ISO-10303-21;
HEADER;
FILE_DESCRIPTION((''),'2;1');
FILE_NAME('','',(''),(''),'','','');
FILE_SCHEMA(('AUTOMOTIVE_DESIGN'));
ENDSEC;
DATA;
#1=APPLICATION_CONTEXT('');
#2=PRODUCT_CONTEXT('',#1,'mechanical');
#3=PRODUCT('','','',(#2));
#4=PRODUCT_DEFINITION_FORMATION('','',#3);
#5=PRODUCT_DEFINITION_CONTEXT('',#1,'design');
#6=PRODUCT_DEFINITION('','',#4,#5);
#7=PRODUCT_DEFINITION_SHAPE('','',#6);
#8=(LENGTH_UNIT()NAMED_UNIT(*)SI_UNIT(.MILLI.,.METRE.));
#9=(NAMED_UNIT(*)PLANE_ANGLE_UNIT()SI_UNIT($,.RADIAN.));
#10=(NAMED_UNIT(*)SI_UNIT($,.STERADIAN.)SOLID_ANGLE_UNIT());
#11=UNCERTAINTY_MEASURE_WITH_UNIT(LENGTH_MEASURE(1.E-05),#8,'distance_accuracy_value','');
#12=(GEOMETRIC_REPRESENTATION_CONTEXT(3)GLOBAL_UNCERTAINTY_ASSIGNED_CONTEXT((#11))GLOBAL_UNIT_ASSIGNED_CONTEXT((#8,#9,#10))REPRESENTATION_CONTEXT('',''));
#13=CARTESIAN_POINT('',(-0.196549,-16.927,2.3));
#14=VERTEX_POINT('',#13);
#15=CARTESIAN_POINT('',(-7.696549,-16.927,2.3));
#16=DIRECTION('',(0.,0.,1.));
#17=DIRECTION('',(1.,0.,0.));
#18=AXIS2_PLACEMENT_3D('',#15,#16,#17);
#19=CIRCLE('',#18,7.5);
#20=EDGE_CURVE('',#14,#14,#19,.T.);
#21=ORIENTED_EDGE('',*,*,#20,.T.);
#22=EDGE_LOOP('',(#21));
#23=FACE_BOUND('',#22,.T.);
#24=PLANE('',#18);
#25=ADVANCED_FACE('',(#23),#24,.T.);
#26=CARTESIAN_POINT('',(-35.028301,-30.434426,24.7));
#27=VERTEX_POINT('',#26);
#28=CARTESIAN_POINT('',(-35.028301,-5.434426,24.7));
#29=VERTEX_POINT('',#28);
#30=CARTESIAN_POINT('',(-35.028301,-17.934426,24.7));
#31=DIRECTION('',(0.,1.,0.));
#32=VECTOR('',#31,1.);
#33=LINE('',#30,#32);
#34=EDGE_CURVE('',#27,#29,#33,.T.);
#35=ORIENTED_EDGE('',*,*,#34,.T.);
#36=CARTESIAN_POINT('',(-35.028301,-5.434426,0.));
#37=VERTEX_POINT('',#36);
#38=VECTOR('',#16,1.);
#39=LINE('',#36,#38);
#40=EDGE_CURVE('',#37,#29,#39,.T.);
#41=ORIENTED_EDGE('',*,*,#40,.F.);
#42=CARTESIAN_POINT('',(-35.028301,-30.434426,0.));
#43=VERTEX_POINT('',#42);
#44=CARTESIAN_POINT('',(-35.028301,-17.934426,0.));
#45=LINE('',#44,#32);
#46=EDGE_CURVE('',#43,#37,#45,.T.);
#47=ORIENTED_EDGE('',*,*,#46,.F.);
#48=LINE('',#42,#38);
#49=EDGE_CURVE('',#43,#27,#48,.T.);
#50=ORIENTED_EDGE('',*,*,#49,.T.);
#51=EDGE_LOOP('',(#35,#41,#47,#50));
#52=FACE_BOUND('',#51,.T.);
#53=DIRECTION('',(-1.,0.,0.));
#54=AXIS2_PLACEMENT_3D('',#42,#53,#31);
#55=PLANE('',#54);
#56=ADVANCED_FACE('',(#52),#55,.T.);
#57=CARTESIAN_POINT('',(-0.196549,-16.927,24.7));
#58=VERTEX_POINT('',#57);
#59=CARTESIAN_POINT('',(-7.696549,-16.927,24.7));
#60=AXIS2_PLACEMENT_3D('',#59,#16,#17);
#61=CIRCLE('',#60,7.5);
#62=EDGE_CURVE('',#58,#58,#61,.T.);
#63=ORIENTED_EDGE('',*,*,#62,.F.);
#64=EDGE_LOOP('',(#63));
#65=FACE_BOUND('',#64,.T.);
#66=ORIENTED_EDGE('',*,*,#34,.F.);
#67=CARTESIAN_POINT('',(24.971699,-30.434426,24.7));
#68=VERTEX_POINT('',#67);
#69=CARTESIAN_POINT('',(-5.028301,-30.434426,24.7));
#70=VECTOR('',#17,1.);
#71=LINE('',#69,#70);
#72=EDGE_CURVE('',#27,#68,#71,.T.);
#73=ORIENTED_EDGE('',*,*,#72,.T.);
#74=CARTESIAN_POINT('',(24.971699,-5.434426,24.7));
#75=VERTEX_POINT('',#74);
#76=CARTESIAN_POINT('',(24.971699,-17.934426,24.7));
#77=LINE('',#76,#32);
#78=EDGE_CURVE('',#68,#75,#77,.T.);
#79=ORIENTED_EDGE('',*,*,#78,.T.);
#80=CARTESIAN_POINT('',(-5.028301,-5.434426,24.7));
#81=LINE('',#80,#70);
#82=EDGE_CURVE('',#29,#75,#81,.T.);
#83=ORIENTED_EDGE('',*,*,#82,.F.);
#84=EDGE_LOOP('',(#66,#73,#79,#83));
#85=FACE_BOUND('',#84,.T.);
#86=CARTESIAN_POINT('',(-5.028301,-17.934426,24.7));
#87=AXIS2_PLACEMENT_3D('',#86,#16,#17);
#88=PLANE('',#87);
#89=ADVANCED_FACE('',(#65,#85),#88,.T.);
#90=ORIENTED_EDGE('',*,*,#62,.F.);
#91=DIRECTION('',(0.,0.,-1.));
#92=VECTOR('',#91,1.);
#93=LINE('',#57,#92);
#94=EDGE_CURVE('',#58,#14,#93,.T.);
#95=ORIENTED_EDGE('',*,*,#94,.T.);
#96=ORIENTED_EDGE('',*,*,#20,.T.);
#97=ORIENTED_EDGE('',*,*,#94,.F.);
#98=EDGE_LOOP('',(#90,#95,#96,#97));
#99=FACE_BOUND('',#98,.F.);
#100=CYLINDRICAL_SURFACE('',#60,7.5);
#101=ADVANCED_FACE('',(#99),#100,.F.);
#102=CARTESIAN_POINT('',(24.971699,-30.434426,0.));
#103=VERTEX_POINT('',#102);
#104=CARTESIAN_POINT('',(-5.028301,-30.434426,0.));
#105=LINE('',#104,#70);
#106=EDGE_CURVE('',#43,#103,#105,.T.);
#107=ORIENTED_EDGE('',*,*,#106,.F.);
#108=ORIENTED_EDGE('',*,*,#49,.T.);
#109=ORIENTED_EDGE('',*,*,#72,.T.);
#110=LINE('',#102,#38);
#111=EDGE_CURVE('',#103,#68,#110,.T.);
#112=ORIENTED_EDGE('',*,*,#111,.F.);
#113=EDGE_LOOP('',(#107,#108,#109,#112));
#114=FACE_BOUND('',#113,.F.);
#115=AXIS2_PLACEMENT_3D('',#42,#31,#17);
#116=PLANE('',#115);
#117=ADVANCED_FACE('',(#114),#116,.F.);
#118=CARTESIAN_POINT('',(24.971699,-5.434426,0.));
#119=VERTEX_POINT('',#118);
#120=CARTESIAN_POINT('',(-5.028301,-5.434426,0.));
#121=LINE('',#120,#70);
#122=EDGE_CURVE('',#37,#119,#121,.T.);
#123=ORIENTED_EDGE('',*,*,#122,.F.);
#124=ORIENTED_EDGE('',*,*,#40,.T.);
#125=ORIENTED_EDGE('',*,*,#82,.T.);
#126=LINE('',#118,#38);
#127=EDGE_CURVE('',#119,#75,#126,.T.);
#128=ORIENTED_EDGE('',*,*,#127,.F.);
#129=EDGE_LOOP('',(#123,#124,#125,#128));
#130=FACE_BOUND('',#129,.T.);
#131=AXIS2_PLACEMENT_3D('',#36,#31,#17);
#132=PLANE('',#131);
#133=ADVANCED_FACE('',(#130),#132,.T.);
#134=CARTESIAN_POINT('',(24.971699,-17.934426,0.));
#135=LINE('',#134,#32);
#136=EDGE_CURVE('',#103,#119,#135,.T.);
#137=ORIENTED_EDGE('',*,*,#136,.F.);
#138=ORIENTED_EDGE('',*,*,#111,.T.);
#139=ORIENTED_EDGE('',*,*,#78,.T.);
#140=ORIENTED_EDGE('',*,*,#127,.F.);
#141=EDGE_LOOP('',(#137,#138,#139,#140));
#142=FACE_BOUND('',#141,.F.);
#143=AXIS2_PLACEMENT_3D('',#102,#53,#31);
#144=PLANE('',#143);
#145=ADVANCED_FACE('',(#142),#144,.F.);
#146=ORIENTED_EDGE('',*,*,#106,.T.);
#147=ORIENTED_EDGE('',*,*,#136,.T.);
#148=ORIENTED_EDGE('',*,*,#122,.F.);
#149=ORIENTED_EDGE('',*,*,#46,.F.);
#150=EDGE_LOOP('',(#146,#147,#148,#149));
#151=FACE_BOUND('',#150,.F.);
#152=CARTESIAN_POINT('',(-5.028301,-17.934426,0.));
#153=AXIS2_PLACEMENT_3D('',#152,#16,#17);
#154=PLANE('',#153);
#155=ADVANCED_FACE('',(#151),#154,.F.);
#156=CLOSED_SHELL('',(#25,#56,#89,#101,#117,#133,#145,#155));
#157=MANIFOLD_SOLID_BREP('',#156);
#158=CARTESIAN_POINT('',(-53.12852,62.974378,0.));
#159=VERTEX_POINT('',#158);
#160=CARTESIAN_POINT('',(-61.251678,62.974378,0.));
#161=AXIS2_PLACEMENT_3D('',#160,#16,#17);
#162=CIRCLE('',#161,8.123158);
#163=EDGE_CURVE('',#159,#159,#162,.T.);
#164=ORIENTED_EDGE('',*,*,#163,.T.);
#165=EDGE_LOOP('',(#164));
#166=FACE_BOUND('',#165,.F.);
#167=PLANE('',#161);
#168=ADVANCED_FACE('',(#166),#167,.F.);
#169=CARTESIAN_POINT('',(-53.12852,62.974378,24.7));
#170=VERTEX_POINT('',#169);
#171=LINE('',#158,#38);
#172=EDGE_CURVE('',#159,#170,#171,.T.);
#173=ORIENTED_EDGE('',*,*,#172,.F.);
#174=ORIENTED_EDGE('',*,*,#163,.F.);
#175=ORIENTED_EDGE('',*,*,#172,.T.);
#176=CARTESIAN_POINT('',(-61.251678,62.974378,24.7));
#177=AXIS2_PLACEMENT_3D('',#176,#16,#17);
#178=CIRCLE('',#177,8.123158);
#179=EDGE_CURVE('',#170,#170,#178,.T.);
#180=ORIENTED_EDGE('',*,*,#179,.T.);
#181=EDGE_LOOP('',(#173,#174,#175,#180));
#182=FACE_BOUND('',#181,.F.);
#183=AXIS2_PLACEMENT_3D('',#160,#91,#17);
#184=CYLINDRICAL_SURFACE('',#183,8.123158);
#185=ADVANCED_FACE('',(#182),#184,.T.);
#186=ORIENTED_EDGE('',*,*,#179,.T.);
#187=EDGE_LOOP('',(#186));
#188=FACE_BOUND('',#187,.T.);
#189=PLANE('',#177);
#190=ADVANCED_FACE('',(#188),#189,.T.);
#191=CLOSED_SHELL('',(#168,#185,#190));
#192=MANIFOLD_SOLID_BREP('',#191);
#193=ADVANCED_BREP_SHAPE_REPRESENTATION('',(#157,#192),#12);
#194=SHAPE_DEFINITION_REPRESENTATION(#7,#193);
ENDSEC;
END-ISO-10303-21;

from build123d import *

# Parameters (mm, degrees)
F0_W     = 60
F0_H     = 25
F0_R     = 8.123158
F1_DEPTH = 24.7
F2_R     = 7.5
F3_DEPTH = 22.4


with BuildPart() as f1:
    # F0 (on Top) → F1 (new body)
    with BuildSketch(Plane.XY):
        with Locations((-5.028301, -17.934426)):
            Rectangle(F0_W, F0_H)
        with Locations((-61.251678, 62.974378)):
            Circle(F0_R)
    extrude(amount=F1_DEPTH)

    # F2 (on face) → F3 (cut)
    with BuildSketch(Plane.XY.offset(24.7)):
        with Locations((-7.696549, -16.927)):
            Circle(F2_R)
    extrude(amount=-F3_DEPTH, mode=Mode.SUBTRACT)


solid = f1.part
